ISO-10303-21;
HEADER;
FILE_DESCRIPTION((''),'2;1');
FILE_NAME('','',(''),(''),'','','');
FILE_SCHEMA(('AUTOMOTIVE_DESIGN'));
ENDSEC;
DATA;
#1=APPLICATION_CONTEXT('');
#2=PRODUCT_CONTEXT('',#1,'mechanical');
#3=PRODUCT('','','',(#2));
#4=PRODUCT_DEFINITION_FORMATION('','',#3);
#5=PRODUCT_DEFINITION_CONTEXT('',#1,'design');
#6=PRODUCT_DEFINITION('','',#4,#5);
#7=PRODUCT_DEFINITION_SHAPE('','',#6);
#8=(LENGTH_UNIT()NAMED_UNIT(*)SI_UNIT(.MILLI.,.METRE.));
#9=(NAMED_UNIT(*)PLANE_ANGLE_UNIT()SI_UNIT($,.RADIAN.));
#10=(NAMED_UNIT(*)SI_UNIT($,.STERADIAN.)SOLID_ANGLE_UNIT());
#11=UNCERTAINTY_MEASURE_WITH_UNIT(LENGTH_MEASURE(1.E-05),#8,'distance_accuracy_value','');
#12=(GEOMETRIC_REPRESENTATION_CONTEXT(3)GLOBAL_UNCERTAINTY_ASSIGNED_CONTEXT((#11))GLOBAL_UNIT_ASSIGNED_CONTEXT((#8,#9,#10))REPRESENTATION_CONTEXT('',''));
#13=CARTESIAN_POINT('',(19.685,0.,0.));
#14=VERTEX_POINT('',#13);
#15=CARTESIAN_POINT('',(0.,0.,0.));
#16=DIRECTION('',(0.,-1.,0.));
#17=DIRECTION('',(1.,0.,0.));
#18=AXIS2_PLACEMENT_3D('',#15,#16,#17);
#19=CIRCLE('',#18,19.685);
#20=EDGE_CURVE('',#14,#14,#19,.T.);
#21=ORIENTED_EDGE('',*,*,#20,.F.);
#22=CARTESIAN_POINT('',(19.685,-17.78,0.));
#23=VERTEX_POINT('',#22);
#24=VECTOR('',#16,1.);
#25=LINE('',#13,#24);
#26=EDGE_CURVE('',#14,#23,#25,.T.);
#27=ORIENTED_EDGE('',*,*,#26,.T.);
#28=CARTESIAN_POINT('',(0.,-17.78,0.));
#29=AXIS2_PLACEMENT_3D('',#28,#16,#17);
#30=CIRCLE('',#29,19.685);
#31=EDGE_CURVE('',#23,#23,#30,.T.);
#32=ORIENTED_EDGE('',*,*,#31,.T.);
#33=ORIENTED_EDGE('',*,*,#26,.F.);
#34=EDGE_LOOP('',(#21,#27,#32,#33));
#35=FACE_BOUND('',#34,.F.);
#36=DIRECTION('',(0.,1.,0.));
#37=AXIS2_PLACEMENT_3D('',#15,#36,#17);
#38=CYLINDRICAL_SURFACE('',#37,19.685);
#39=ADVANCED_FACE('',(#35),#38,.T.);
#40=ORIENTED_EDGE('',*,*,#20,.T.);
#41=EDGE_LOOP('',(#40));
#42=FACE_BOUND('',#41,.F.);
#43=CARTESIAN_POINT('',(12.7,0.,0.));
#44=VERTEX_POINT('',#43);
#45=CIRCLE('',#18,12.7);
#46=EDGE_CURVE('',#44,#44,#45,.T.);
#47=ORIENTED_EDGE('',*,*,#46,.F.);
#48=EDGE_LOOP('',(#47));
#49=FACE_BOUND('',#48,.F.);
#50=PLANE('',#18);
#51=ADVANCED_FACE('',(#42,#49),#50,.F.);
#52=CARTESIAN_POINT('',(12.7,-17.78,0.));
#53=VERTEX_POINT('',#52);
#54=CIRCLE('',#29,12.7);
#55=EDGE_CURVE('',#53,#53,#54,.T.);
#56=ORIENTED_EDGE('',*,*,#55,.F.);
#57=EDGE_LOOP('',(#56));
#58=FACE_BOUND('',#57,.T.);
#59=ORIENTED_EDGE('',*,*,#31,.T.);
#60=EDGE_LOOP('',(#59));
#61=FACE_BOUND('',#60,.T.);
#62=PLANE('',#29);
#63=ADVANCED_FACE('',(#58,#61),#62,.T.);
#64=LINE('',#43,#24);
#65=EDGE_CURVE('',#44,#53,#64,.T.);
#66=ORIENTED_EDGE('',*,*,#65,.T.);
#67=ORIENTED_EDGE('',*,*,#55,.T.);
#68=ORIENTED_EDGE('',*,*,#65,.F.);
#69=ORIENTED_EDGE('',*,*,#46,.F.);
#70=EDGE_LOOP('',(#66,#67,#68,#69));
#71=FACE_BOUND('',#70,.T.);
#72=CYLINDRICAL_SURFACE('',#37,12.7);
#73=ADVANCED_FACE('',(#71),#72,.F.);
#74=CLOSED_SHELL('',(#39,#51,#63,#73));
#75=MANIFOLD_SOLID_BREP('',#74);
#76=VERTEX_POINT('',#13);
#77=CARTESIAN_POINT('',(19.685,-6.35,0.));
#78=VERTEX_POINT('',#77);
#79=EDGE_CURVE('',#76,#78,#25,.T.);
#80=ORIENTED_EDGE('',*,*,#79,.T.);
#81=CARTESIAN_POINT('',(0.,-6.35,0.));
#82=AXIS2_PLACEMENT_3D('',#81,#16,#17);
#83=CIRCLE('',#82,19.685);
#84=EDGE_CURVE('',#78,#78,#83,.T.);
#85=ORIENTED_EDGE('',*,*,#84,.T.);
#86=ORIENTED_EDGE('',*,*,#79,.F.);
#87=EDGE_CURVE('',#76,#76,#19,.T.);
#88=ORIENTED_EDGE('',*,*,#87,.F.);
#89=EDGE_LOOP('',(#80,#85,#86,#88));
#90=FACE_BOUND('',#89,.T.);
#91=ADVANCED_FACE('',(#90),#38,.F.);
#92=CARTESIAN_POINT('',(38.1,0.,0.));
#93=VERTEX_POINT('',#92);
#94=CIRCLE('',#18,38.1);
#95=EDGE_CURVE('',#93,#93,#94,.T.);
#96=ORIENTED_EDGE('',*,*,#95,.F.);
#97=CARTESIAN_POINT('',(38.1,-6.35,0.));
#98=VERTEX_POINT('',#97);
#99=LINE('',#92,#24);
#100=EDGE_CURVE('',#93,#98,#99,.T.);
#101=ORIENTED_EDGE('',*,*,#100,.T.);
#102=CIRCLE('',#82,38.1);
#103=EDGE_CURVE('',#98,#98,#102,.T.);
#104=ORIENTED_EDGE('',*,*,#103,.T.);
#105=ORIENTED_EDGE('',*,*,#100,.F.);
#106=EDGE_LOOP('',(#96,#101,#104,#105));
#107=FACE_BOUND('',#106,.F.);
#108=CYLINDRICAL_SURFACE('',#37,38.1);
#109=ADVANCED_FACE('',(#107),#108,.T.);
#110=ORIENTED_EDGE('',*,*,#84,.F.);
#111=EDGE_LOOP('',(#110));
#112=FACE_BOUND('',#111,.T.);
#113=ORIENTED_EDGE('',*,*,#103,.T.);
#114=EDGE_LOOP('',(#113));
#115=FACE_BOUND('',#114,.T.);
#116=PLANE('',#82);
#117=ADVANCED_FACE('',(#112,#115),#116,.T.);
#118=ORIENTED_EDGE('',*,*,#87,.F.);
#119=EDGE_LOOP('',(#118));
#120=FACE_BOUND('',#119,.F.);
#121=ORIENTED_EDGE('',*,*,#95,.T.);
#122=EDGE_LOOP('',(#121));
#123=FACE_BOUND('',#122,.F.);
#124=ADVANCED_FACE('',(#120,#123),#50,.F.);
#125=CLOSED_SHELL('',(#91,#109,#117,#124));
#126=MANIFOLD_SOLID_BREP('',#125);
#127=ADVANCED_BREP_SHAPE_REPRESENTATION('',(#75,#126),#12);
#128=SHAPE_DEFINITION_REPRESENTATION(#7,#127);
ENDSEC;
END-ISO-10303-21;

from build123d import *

# Parameters (mm, degrees)
F0_R     = 38.1
F0_R_2   = 19.685
F1_DEPTH = 6.35
F0_R_3   = 12.7
F2_DEPTH = 17.78


with BuildPart() as f1:
    # F0 (on Front) → F1 (new body)
    with BuildSketch(Plane.XZ):
        Circle(F0_R)
        Circle(F0_R_2, mode=Mode.SUBTRACT)
    extrude(amount=F1_DEPTH)


with BuildPart() as f2:
    # F0 (on Front) → F2 (new body)
    with BuildSketch(Plane.XZ):
        Circle(F0_R_2)
        Circle(F0_R_3, mode=Mode.SUBTRACT)
    extrude(amount=F2_DEPTH)


solid = Compound([f1.part, f2.part])
